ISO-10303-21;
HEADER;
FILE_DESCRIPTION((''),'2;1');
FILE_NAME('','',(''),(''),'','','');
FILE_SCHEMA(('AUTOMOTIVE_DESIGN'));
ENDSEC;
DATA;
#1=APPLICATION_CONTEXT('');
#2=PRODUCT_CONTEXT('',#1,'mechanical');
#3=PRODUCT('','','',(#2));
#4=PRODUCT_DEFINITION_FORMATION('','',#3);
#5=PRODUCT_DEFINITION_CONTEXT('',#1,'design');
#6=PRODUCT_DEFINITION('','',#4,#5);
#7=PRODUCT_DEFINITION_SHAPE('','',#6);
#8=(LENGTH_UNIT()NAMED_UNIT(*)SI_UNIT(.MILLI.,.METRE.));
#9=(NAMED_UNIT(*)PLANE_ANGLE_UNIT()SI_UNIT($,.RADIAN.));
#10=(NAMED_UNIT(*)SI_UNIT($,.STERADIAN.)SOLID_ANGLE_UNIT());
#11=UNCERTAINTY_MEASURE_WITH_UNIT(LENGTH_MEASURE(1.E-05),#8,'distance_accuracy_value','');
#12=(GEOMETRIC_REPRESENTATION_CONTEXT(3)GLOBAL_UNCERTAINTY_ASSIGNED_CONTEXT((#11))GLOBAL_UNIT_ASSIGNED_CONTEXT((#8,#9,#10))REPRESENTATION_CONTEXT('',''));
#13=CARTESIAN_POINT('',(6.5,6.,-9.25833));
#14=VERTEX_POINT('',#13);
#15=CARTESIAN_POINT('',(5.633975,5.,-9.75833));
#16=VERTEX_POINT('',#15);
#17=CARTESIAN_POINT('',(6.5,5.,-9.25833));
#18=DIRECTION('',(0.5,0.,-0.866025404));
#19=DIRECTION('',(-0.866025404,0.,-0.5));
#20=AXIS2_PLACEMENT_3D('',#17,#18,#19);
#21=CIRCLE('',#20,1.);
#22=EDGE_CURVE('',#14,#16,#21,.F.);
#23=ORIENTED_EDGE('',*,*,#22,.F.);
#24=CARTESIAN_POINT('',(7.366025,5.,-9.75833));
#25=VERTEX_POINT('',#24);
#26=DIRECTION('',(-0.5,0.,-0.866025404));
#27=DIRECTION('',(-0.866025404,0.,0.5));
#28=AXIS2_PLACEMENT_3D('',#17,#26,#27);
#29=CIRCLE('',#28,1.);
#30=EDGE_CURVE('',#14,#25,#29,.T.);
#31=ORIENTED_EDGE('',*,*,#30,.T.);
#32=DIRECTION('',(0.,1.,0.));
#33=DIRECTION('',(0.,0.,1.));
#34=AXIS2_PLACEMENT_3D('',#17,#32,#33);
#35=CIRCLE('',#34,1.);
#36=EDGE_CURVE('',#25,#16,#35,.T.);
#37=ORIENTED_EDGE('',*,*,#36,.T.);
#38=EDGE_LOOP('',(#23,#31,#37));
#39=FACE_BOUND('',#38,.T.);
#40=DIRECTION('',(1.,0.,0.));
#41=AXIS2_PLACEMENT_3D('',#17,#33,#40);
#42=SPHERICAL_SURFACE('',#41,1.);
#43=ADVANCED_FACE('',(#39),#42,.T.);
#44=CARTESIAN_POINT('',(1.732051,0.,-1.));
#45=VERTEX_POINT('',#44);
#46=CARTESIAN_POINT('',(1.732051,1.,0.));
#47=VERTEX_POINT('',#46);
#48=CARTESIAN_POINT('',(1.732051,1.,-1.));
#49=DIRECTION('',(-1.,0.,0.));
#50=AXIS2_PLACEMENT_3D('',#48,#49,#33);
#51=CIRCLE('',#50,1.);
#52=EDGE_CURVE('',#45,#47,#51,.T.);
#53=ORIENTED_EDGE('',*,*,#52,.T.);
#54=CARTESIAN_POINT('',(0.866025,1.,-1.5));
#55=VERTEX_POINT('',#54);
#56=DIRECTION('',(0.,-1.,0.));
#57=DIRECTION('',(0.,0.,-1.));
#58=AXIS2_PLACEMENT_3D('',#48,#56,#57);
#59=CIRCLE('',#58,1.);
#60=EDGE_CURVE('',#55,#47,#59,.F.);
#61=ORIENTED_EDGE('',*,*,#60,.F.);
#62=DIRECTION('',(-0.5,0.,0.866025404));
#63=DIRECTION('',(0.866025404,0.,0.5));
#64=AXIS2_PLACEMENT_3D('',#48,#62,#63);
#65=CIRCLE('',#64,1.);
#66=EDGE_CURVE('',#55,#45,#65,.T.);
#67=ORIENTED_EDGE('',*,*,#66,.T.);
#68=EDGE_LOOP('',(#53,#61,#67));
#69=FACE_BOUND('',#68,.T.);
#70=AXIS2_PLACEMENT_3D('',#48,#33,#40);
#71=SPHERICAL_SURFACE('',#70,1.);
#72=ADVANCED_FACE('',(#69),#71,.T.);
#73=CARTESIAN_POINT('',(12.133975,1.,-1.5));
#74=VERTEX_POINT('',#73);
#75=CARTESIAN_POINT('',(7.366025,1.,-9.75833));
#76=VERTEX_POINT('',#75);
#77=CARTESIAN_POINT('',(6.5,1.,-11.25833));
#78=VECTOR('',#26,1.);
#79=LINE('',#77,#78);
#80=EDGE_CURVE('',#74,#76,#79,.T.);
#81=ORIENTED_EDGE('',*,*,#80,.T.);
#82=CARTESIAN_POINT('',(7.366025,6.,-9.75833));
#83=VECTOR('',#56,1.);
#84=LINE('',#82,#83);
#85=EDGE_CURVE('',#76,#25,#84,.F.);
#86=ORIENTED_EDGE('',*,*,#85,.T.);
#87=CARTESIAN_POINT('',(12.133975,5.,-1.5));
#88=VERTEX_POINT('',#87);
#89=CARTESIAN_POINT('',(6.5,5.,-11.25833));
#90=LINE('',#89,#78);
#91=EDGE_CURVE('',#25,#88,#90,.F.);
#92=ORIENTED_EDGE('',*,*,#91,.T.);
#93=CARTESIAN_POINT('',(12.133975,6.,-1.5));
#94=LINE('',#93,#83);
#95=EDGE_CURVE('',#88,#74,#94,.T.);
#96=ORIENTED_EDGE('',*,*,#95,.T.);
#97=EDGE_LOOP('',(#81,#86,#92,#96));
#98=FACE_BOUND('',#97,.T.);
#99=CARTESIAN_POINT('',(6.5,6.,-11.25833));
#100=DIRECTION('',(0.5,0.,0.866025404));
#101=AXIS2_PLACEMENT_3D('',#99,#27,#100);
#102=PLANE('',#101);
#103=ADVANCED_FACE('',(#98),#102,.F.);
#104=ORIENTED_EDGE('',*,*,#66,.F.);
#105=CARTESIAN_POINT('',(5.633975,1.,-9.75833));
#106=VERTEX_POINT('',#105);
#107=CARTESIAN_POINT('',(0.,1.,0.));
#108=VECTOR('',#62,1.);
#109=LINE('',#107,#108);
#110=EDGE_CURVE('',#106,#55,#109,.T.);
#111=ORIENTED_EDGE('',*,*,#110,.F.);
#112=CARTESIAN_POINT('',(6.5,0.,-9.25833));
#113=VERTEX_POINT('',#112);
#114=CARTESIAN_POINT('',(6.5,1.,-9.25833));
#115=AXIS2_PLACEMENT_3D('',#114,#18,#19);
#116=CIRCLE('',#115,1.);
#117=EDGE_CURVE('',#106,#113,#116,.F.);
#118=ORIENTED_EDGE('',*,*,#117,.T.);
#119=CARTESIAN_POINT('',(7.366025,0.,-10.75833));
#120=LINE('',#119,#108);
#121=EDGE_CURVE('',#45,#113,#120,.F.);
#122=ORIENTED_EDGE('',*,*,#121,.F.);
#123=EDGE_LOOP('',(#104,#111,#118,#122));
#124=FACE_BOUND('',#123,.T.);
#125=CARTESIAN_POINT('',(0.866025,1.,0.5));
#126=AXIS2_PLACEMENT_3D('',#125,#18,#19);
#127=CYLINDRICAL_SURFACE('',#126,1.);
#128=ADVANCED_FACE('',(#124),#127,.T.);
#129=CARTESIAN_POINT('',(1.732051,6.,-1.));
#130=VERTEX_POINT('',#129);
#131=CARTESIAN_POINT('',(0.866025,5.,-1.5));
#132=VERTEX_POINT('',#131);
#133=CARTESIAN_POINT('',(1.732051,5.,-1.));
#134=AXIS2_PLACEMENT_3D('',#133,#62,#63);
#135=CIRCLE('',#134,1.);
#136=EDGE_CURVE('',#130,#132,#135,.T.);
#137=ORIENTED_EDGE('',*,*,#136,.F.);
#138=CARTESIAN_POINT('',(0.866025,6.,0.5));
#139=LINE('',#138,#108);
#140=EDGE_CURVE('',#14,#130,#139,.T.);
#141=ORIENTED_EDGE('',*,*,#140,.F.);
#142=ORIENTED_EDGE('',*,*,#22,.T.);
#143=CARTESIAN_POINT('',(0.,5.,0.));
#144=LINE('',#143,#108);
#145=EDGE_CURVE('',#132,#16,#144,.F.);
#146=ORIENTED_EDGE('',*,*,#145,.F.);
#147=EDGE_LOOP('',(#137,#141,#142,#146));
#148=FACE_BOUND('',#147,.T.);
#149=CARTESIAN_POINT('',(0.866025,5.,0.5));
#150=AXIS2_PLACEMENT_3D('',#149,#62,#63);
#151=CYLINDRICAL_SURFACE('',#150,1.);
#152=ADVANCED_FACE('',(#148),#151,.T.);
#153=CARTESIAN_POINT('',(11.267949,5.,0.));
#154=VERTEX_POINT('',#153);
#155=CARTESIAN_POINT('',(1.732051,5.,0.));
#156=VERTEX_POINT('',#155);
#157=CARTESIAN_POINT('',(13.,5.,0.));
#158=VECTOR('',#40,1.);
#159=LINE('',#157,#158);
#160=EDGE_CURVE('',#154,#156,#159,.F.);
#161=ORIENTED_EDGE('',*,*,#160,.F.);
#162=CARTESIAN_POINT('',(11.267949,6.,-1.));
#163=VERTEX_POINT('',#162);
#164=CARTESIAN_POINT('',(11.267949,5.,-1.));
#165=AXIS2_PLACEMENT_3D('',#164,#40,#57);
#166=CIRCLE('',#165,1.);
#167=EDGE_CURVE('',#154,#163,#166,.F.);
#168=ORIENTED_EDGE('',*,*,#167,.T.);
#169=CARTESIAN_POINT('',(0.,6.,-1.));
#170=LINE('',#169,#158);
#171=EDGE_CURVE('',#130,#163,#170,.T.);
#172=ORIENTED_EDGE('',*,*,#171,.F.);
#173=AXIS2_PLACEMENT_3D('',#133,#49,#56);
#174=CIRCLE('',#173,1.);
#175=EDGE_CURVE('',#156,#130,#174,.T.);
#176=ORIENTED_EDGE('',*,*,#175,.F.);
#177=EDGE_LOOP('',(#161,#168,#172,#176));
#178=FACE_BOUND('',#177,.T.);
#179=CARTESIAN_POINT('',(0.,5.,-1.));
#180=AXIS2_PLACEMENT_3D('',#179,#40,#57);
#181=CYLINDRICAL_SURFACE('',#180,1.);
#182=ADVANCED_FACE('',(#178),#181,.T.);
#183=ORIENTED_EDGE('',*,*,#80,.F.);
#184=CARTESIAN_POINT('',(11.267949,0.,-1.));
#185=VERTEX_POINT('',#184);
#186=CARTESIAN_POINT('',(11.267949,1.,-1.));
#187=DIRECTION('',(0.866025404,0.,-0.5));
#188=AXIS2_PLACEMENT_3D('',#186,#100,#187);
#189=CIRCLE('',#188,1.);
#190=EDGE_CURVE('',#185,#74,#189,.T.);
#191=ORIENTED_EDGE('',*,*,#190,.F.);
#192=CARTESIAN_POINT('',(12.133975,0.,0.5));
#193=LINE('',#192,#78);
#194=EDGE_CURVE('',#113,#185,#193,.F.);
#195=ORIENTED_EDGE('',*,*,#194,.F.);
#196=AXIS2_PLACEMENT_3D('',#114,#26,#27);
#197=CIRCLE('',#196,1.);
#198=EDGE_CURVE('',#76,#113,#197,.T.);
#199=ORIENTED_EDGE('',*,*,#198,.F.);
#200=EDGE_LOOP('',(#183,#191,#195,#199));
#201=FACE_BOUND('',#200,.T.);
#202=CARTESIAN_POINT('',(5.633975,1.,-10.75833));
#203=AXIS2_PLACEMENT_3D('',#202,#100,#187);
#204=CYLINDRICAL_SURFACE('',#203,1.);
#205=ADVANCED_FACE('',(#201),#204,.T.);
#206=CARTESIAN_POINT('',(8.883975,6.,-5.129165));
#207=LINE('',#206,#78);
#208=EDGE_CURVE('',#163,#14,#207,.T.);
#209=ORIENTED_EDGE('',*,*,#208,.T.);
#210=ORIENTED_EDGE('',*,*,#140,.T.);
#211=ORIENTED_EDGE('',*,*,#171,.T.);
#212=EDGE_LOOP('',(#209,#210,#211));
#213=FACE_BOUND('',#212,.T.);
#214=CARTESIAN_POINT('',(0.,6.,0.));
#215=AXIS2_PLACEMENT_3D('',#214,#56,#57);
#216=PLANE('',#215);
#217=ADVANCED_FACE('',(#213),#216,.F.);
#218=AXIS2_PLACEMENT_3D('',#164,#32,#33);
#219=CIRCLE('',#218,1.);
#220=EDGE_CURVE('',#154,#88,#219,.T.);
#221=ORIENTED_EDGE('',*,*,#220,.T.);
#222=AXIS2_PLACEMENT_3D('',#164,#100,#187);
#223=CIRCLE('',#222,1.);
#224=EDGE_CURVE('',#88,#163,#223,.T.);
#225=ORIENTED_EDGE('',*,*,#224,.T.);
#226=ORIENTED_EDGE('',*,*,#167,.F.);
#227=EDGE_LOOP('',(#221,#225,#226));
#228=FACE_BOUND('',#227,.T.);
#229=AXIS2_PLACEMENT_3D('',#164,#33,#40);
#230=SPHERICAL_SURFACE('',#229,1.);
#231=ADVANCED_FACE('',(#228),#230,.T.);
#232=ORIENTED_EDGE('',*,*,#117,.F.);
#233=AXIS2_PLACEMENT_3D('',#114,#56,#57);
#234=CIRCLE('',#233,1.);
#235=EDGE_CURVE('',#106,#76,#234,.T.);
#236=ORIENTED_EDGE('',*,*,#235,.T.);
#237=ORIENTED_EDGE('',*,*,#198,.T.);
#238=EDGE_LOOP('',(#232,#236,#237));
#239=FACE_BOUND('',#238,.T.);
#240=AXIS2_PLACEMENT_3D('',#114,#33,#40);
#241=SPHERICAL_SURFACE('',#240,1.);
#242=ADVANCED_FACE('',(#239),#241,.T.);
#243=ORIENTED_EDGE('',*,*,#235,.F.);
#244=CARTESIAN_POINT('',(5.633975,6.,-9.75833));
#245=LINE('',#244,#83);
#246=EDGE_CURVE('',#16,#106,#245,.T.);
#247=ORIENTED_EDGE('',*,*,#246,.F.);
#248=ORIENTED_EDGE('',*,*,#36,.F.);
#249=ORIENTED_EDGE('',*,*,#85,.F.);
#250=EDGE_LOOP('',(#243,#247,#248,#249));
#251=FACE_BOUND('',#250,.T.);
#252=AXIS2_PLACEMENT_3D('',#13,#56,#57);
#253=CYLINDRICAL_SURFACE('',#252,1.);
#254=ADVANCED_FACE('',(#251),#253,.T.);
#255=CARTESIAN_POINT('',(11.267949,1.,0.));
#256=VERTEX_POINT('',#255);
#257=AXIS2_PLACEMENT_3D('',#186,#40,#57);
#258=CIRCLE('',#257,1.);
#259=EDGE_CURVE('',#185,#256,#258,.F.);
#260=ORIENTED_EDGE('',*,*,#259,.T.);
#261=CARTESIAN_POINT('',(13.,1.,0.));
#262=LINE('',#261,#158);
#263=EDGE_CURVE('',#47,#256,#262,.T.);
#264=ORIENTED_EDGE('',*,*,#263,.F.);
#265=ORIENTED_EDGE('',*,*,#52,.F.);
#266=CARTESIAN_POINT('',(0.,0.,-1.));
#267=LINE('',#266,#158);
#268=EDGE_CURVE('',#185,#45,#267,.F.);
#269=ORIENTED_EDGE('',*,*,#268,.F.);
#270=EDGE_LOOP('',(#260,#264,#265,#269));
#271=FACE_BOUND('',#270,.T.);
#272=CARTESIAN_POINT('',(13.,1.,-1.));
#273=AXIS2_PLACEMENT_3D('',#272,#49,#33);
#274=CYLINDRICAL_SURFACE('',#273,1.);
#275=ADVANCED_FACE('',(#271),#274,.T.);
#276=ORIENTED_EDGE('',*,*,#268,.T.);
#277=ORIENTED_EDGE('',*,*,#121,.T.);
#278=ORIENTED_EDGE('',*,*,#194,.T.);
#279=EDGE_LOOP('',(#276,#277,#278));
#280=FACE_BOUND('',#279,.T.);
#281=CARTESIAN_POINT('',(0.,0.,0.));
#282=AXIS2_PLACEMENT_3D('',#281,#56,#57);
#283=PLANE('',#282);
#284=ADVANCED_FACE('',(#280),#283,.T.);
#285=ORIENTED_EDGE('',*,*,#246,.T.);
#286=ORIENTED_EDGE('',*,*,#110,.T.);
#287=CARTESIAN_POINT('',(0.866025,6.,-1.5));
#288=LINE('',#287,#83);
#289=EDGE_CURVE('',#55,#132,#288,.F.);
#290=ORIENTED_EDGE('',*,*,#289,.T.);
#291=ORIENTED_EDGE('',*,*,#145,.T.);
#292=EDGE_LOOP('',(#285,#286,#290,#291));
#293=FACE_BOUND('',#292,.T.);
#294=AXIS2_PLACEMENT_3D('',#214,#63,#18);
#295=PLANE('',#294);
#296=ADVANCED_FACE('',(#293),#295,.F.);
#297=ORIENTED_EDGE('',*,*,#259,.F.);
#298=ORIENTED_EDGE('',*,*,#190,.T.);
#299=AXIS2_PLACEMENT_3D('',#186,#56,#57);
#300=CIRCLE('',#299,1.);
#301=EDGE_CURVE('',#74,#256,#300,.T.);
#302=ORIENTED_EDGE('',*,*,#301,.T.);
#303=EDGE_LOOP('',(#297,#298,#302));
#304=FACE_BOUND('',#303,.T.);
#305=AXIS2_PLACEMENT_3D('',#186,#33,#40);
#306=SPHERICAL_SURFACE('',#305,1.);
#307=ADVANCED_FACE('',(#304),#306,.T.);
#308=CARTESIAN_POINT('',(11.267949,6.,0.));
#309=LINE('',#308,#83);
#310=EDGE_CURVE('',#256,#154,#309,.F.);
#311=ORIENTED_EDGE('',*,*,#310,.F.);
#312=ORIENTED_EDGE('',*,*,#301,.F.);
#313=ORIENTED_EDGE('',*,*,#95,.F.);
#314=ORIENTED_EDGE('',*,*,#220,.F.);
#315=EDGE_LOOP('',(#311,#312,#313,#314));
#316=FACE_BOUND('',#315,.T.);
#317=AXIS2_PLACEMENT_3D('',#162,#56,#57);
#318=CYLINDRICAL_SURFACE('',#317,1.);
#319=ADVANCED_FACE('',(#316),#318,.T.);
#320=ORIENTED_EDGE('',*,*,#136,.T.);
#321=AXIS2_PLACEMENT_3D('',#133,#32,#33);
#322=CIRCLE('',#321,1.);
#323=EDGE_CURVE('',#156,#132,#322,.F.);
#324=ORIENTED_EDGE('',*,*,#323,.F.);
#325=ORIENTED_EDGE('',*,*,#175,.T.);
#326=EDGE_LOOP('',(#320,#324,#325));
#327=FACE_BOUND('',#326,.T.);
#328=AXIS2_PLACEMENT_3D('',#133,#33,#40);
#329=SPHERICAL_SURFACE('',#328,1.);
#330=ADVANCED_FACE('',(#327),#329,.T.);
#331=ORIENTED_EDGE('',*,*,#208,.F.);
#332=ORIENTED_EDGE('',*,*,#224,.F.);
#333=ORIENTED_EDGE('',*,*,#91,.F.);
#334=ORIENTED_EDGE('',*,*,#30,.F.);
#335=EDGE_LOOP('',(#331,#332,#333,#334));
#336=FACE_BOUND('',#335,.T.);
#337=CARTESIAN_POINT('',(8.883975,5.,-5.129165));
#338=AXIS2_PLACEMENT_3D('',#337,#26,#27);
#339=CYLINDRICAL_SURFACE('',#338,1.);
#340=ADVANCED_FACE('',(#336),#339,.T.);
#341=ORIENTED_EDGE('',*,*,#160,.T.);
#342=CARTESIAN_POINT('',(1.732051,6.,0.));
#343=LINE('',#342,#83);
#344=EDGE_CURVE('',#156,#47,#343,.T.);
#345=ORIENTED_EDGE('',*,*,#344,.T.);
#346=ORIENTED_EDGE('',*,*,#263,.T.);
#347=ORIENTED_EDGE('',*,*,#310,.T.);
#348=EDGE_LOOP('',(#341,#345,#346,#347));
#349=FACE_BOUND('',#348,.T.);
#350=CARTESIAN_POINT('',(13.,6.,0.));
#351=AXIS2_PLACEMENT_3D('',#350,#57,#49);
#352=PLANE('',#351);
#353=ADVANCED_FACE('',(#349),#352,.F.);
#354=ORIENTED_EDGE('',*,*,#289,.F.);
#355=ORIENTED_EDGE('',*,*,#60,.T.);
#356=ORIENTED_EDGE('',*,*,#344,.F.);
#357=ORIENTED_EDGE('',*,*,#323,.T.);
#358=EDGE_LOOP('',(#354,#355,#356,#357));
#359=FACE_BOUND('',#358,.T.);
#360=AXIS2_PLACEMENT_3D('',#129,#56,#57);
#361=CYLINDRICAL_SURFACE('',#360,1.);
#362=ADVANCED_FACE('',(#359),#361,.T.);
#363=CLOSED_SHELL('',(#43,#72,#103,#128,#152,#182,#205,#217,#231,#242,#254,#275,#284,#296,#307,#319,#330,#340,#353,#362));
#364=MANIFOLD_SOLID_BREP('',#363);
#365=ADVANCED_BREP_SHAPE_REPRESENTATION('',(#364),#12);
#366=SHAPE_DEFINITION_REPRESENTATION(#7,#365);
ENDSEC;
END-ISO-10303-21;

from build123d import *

# Parameters (mm, degrees)
BOSS_EXTRUDE1_DEPTH = 6
FILLET1_R           = 1


with BuildPart() as part:
    # Sketch1 → Boss-Extrude1 (new body)
    with BuildSketch(Plane(origin=(0, 0, 0), x_dir=(1, 0, 0), z_dir=(0, 1, 0))):
        Polygon((0, 0), (6.5, 11.258330249), (13, 0), align=None)
    extrude(amount=BOSS_EXTRUDE1_DEPTH)

    # Fillet1
    fillet1_edges = [part.edges().sort_by_distance(p)[0] for p in [
        (3.25, 6, -5.629165125),
        (3.25, 0, -5.629165125),
        (6.5, 6, 0),
        (9.75, 0, -5.629165125),
        (6.5, 0, 0),
        (0, 3, 0),
        (6.5, 3, -11.258330249),
        (13, 3, 0),
        (9.75, 6, -5.629165125),
    ]]
    fillet(fillet1_edges, radius=FILLET1_R)


solid = part.part
